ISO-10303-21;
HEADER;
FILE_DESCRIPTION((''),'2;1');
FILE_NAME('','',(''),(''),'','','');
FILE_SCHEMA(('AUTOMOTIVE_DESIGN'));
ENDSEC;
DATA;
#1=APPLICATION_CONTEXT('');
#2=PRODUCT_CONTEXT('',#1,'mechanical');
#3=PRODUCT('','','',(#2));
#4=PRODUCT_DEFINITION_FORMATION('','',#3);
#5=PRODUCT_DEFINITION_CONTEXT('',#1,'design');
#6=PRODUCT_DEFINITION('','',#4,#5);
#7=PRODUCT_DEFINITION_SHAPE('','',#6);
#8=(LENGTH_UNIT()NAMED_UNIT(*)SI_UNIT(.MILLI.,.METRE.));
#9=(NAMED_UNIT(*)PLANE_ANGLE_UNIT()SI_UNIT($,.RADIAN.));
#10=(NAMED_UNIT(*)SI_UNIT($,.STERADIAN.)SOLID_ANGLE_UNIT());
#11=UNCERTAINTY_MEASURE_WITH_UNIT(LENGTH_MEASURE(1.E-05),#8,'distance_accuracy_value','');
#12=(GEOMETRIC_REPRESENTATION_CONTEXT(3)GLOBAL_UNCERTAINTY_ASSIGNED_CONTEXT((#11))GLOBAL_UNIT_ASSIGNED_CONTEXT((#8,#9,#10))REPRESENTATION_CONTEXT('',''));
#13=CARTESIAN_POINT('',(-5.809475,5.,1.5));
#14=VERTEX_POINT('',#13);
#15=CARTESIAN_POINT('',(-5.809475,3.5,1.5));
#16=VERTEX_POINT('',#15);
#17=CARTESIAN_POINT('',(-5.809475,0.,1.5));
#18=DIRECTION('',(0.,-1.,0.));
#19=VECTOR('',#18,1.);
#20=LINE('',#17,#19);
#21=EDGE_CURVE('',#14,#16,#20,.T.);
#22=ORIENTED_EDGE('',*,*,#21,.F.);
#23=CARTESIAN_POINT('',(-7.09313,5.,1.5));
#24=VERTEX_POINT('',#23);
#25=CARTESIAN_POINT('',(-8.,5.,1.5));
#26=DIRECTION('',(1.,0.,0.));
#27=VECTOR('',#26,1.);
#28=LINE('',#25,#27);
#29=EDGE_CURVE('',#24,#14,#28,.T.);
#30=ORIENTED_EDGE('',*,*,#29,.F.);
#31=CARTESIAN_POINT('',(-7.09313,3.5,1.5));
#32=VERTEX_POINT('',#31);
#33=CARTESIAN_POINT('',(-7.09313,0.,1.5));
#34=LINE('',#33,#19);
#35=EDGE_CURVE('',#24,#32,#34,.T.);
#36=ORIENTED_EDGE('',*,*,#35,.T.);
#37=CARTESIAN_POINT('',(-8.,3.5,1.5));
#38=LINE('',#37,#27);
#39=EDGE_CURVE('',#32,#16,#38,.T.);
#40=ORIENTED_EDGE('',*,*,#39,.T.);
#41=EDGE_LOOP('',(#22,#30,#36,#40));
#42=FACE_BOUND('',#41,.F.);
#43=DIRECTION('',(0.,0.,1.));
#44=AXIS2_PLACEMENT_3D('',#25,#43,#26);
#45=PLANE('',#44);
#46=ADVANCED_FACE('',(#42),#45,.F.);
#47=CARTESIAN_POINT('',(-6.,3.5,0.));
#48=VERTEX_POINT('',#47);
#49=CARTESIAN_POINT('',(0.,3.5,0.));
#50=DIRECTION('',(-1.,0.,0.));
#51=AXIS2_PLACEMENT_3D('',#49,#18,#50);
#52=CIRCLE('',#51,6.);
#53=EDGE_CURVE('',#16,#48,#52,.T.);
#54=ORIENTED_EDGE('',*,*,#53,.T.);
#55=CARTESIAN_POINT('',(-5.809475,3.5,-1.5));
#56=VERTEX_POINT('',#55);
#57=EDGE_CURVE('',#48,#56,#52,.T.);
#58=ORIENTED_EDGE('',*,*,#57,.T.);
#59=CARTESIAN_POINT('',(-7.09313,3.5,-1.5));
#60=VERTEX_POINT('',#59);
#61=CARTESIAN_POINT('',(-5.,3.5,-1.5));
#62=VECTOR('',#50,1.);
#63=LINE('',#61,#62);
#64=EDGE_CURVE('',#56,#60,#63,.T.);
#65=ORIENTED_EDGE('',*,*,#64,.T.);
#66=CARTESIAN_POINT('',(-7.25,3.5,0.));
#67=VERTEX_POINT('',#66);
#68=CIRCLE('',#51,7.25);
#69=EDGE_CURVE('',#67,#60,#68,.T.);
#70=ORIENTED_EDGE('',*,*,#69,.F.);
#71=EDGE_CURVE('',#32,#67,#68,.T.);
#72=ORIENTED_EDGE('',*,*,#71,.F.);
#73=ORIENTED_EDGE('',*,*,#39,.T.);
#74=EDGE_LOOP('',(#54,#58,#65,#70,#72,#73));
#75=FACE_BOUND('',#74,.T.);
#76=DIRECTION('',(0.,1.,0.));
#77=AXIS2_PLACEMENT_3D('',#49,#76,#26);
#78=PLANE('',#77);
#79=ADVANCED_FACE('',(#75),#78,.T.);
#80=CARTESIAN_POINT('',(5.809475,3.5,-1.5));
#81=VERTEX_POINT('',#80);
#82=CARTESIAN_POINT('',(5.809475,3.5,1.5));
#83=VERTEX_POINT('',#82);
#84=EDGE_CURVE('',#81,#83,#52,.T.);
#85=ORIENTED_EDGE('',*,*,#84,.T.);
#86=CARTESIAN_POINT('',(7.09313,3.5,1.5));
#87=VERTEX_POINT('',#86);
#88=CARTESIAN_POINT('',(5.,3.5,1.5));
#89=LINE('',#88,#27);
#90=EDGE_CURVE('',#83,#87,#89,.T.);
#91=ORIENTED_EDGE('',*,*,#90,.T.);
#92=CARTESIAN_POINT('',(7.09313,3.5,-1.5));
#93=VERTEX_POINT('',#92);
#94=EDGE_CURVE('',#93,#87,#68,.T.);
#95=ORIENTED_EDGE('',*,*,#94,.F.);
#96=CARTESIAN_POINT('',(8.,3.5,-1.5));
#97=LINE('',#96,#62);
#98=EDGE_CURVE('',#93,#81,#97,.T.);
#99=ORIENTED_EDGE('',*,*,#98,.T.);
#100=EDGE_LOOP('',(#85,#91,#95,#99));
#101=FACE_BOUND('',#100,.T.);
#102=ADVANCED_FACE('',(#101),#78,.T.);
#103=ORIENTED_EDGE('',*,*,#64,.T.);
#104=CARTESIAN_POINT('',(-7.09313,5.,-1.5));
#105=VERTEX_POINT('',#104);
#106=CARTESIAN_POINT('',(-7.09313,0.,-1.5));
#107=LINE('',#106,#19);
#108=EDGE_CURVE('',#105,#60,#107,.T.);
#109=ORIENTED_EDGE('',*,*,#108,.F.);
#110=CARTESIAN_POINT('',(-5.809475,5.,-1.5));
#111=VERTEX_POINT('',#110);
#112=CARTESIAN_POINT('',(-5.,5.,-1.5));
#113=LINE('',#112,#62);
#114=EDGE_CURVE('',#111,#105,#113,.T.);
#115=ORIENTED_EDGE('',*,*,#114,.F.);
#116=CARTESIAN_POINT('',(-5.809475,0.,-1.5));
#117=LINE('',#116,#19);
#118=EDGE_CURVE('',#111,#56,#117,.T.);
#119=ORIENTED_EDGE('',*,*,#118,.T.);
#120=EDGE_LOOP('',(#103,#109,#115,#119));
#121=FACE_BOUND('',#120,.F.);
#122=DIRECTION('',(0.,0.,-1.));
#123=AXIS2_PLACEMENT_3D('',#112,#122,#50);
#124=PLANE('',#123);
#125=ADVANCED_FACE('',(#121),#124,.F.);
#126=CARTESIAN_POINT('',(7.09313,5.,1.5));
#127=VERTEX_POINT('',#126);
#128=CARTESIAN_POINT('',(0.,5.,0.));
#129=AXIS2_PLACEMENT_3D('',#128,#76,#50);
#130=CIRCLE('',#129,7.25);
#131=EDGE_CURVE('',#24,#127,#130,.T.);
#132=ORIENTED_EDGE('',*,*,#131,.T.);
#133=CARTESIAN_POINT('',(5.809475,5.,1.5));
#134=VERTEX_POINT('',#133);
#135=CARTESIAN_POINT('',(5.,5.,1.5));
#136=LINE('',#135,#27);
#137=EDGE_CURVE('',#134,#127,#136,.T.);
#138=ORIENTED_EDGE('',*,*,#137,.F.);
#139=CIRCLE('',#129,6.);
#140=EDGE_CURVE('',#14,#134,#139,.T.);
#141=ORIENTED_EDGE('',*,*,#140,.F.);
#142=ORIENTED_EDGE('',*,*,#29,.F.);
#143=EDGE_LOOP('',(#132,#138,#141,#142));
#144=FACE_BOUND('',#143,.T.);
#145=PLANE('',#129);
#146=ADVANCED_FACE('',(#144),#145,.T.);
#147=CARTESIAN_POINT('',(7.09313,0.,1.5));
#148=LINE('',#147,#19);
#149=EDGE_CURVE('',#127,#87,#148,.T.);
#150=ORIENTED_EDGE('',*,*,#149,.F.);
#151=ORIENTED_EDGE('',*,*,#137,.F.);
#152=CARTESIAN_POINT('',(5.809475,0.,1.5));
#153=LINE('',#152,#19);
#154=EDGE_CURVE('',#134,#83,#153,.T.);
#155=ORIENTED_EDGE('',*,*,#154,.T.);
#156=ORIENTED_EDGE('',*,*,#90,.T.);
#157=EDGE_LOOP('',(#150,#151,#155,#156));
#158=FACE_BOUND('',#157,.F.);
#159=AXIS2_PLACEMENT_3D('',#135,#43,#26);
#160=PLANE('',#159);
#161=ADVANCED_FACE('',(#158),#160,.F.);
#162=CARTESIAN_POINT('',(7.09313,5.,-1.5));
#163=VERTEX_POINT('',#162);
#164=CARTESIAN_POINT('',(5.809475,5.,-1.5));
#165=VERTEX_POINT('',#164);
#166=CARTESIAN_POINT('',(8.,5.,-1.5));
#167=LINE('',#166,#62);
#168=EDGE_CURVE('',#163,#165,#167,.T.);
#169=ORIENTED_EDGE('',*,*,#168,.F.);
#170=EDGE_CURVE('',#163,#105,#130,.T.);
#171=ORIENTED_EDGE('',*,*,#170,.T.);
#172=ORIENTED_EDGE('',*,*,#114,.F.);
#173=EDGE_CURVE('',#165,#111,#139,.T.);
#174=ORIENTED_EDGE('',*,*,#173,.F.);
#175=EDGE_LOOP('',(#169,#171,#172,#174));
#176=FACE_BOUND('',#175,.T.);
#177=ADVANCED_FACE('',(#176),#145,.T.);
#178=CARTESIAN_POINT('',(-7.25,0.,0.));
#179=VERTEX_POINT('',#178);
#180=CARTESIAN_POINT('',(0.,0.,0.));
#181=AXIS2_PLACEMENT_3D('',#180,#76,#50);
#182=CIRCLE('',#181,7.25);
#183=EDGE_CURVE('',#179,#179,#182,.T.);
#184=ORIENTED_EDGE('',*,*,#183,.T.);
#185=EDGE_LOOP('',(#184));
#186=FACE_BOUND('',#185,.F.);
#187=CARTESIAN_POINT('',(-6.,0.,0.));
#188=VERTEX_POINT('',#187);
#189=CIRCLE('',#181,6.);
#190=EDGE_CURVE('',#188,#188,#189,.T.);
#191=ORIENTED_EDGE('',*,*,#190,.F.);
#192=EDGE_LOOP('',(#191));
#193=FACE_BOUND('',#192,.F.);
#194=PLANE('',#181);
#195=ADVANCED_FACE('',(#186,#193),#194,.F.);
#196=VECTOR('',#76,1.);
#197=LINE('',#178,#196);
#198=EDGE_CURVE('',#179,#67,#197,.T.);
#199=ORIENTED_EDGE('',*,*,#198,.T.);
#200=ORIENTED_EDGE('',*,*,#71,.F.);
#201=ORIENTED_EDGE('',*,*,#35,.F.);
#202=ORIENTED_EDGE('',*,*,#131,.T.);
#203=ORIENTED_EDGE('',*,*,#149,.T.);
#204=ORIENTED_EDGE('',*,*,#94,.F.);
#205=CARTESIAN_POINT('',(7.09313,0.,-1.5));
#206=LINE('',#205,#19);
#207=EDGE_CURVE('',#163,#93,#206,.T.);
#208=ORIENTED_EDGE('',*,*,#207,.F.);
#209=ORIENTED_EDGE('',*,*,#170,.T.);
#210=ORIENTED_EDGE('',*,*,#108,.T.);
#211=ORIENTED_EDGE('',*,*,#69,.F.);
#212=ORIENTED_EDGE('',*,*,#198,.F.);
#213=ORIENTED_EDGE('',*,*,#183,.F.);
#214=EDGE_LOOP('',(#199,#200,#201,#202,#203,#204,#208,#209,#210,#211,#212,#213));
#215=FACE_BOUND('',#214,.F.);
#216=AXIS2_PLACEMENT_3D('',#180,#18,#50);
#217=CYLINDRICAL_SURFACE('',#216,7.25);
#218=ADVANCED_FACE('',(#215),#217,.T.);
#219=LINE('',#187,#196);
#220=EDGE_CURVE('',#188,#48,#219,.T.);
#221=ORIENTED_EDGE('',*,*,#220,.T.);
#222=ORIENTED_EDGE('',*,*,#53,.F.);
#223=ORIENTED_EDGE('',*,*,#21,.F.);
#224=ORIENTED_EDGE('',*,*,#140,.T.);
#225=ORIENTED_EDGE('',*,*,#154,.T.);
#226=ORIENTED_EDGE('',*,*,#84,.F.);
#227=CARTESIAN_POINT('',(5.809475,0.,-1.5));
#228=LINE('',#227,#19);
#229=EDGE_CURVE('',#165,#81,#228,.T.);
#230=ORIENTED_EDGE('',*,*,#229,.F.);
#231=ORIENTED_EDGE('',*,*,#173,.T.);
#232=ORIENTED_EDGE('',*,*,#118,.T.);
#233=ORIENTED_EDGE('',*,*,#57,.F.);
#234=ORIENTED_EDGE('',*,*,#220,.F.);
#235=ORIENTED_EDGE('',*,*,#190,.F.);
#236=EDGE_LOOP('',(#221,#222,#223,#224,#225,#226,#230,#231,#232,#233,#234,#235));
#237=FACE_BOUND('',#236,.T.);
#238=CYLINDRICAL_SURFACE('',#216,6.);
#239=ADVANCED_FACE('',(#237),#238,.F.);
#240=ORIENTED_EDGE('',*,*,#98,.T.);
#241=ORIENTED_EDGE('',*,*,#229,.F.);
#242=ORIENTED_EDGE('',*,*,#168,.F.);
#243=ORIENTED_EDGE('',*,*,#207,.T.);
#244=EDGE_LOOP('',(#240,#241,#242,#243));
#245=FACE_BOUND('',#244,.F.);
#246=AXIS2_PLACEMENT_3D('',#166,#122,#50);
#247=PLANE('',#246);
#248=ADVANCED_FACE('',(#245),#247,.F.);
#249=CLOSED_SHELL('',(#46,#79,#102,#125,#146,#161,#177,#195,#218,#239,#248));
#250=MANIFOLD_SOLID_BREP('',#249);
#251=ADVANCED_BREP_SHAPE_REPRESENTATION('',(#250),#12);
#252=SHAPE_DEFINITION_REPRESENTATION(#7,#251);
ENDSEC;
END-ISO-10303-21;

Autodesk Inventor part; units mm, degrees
ref_plane "YZ Plane" through (0, 0, 0) normal (1, 0, 0) x (0, 1, 0)
ref_plane "XZ Plane" through (0, 0, 0) normal (0, 1, 0) x (-1, 0, 0)
ref_plane "XY Plane" through (0, 0, 0) normal (0, 0, 1) x (1, 0, 0)
sketch "Esquisse1" plane through (0, 0, 0) normal (0, 1, 0) x (-1, 0, 0)
  circle A0 centre (0, 0) radius 7.25
  circle A1 centre (0, 0) radius 6
  dimension "d0" = 12
  dimension "d1" = 14.5
extrude "Extrusion1" add sketch "Esquisse1" along normal blind 5
sketch "Esquisse2" plane through (0, 5, 0) normal (0, 1, 0) x (1, 0, 0)
  line L0 (-8, -1.5) -> (-5, -1.5)
  line L1 (-5, -1.5) -> (-5, 1.5)
  line L2 (-5, 1.5) -> (-8, 1.5)
  line L3 (-8, 1.5) -> (-8, -1.5)
  line L4 (5, -1.5) -> (8, -1.5)
  line L5 (8, -1.5) -> (8, 1.5)
  line L6 (8, 1.5) -> (5, 1.5)
  line L7 (5, 1.5) -> (5, -1.5)
  point P0 (0, 0)
  dimension "d4" = 3
  dimension "d5" = 1.5
  dimension "d6" = 3
  dimension "d7" = 3
  dimension "d8" = 5
  dimension "d9" = 5
extrude "Extrusion2" cut sketch "Esquisse2" against normal blind 1.5
thread "Filetage1" size "M12x0.5" class "6H" standard "ANSI Metric M Profile" length 8 offset 2
equation "\"d5\" = 0.5 * d4"
equation "\"d9\" = d8"
properties part number "Bague Prise Banane" material "Aluminium 6061"
